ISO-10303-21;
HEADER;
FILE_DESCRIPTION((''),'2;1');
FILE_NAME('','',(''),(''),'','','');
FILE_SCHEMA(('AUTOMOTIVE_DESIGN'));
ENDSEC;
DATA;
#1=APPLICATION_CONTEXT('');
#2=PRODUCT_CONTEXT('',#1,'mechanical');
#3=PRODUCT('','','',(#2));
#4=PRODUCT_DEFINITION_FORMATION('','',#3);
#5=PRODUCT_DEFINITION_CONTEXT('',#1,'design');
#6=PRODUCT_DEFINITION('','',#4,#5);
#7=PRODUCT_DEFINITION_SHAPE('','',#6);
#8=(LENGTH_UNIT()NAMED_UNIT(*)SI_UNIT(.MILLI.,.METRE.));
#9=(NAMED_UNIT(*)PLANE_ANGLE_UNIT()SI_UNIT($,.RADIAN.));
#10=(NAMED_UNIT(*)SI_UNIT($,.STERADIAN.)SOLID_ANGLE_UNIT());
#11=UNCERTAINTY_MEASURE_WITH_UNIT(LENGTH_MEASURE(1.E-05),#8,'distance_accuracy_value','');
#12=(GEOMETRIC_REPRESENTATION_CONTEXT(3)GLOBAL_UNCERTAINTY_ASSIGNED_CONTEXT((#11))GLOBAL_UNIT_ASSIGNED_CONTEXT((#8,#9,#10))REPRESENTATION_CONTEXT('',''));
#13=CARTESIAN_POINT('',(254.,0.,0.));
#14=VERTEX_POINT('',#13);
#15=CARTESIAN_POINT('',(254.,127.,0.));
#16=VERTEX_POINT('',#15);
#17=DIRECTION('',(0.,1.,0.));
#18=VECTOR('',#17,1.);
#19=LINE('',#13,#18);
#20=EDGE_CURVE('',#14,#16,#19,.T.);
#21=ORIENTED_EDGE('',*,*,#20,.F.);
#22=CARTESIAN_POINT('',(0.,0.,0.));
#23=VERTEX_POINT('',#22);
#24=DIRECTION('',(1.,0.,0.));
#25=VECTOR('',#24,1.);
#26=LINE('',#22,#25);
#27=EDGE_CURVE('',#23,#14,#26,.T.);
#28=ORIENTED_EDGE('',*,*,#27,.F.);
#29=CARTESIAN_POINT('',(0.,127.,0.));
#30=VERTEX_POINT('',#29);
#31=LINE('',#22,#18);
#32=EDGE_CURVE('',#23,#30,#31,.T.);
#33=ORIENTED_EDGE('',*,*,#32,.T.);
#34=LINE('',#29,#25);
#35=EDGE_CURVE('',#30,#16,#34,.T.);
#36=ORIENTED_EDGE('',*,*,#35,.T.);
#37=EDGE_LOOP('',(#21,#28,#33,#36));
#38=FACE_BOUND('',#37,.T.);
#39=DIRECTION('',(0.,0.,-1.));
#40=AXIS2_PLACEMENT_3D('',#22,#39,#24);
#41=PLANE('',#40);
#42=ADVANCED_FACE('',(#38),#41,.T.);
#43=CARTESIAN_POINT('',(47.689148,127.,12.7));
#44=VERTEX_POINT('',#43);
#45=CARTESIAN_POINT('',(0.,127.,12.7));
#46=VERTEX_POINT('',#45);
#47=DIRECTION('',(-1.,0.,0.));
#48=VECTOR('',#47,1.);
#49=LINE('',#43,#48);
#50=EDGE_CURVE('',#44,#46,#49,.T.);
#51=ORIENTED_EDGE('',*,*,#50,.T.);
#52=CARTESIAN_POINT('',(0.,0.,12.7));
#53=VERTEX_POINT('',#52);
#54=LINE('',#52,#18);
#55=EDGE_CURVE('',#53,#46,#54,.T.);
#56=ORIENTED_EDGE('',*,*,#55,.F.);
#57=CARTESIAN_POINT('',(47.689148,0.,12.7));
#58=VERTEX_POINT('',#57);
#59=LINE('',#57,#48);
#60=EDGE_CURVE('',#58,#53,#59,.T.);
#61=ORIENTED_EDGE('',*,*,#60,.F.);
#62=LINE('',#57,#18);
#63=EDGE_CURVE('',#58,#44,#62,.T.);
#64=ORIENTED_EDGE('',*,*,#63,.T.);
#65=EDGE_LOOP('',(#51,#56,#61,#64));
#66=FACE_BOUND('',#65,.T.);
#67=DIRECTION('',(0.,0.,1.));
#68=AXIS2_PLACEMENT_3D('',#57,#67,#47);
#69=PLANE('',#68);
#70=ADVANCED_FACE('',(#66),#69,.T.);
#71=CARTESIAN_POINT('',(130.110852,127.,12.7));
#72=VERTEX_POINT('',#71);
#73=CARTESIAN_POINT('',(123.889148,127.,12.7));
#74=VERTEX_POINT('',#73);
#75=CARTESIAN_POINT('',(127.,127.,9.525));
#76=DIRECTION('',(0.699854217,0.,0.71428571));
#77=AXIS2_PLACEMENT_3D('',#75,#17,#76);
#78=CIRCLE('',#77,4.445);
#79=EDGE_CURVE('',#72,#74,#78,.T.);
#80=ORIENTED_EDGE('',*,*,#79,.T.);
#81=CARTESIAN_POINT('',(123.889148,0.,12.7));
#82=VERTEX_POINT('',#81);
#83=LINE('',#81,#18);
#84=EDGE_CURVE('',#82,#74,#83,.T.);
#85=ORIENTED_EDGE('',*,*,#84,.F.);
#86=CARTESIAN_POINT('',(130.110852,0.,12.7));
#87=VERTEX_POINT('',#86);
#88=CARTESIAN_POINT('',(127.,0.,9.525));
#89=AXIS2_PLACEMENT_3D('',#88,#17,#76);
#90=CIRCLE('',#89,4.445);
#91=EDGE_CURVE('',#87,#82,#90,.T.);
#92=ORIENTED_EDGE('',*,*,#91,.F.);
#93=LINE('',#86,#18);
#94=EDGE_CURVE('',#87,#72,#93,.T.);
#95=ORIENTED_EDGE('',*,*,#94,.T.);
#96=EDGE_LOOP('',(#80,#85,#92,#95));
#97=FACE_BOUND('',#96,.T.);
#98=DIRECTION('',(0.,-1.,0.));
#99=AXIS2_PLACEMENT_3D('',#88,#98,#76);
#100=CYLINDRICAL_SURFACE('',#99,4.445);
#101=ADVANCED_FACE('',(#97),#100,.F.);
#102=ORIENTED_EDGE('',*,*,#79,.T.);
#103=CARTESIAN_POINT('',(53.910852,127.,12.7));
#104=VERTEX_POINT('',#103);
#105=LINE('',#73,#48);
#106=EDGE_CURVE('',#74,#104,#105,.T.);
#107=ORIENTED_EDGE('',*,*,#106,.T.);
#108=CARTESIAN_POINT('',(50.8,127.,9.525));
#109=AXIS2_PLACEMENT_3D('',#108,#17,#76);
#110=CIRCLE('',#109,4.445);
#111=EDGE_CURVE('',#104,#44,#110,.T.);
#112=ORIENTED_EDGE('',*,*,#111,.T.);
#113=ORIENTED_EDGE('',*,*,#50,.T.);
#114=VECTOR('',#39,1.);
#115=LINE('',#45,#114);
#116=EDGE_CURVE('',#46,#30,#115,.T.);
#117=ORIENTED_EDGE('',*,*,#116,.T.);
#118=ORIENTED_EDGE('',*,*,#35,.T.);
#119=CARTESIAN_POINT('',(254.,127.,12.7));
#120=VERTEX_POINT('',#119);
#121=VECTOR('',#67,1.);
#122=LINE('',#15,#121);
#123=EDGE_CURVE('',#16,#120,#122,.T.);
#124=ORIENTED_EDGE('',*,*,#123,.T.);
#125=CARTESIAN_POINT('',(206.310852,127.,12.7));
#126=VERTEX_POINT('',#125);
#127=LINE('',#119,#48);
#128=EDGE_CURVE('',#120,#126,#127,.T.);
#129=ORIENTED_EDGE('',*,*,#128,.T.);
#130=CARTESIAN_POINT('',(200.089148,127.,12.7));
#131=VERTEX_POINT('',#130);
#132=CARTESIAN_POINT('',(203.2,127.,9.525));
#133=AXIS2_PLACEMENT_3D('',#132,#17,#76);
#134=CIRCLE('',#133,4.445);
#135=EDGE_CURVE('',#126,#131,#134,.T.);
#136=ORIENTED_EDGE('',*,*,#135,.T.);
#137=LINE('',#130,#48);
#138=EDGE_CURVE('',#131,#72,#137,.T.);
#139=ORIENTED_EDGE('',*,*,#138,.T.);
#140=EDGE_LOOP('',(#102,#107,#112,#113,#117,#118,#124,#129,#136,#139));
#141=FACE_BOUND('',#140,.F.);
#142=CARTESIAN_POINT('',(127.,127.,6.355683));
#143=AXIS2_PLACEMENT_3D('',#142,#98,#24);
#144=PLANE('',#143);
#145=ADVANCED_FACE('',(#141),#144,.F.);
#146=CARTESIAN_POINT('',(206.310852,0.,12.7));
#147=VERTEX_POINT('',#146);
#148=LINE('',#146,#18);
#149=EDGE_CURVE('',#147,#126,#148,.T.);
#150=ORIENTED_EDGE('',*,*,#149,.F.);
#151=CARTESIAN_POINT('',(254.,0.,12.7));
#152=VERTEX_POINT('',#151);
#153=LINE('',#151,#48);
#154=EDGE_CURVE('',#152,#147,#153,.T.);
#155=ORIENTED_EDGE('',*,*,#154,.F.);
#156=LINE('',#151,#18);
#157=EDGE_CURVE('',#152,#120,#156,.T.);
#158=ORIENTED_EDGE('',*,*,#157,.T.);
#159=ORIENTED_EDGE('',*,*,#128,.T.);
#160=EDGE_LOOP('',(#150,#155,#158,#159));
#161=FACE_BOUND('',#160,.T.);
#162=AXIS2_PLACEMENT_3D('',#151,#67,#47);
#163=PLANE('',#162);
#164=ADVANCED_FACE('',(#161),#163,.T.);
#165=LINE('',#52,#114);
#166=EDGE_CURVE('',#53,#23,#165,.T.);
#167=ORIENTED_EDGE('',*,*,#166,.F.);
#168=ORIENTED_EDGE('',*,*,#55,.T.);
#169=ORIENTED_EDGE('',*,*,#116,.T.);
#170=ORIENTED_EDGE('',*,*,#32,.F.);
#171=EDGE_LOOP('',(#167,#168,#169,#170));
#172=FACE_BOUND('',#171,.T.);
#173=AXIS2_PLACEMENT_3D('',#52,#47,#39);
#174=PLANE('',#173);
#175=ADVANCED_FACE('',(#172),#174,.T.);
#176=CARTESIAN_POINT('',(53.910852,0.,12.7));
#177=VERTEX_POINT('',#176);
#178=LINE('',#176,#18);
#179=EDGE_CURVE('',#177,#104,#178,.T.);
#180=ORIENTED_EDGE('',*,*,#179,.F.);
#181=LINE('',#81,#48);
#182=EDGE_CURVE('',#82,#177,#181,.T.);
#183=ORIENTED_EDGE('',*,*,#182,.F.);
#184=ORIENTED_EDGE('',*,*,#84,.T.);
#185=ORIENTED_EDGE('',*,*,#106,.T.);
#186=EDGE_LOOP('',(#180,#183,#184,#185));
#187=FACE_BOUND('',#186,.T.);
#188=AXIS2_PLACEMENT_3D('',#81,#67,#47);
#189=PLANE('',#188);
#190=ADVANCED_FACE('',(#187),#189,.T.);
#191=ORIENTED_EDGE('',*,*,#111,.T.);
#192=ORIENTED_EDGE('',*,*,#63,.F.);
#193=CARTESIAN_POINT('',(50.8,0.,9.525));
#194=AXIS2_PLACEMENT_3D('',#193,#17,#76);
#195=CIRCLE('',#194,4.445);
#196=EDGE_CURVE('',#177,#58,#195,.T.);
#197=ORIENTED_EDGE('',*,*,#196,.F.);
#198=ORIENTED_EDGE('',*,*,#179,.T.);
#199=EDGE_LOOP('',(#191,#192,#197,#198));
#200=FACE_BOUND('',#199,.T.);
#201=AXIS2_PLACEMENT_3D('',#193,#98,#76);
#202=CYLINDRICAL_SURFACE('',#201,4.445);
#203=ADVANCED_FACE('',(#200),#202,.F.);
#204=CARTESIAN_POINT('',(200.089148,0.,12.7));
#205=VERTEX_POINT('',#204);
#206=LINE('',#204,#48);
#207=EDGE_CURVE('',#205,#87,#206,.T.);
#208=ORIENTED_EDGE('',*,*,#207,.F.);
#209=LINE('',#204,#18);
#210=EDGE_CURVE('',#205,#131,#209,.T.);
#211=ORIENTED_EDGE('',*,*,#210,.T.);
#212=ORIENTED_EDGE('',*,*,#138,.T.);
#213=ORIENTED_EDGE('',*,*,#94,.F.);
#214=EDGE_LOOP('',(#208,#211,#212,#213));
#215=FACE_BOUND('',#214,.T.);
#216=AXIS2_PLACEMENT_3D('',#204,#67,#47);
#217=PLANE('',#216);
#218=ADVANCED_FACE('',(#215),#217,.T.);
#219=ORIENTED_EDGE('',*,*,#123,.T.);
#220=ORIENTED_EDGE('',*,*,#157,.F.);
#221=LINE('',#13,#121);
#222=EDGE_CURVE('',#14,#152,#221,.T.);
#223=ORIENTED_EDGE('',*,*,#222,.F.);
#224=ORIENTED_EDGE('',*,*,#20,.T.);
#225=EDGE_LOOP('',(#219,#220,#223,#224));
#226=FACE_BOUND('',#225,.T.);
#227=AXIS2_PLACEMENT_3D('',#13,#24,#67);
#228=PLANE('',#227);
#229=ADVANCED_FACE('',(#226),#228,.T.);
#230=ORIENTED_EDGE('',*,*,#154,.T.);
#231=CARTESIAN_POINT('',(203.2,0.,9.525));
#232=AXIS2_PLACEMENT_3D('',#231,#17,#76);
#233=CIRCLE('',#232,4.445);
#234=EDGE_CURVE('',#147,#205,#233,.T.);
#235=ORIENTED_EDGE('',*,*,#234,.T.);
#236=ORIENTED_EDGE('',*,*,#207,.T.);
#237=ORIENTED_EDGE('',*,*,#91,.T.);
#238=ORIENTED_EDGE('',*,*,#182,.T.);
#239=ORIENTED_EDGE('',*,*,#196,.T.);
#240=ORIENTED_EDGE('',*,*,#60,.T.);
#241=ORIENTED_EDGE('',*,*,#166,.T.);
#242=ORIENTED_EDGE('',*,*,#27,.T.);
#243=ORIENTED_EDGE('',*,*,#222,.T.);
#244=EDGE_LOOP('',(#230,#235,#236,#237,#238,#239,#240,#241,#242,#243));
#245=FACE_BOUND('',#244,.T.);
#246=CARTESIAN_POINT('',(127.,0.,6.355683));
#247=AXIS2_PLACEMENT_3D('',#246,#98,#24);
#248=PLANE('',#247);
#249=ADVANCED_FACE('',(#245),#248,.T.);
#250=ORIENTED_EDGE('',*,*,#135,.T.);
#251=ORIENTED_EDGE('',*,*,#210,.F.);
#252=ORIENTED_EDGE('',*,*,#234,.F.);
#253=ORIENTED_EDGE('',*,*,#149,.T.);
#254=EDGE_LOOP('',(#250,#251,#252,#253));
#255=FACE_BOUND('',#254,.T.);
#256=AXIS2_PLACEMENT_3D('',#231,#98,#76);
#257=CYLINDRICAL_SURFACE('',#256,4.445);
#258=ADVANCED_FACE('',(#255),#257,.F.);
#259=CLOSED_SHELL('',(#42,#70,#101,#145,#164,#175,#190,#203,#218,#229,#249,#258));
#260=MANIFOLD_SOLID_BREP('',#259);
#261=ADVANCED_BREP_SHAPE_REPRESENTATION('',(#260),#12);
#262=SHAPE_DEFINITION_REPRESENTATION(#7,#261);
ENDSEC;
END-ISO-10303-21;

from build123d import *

# Parameters (mm, degrees)
F1_DEPTH = 127


with BuildPart() as f1:
    # F0 (on Front) → F1 (new body)
    with BuildSketch(Plane.XZ):
        with BuildLine():
            Line((0, 12.7), (0, 0))
            Line((0, 0), (254, 0))
            Line((254, 0), (254, 12.7))
            Line((254, 12.7), (206.310852, 12.7))
            ThreePointArc((206.310852, 12.7), (203.2, 5.08), (200.089148, 12.7))
            Line((200.089148, 12.7), (130.110852, 12.7))
            ThreePointArc((130.110852, 12.7), (127, 5.08), (123.889148, 12.7))
            Line((123.889148, 12.7), (53.910852, 12.7))
            ThreePointArc((53.910852, 12.7), (50.8, 5.08), (47.689148, 12.7))
            Line((47.689148, 12.7), (0, 12.7))
        make_face()
    extrude(amount=-F1_DEPTH)


solid = f1.part
